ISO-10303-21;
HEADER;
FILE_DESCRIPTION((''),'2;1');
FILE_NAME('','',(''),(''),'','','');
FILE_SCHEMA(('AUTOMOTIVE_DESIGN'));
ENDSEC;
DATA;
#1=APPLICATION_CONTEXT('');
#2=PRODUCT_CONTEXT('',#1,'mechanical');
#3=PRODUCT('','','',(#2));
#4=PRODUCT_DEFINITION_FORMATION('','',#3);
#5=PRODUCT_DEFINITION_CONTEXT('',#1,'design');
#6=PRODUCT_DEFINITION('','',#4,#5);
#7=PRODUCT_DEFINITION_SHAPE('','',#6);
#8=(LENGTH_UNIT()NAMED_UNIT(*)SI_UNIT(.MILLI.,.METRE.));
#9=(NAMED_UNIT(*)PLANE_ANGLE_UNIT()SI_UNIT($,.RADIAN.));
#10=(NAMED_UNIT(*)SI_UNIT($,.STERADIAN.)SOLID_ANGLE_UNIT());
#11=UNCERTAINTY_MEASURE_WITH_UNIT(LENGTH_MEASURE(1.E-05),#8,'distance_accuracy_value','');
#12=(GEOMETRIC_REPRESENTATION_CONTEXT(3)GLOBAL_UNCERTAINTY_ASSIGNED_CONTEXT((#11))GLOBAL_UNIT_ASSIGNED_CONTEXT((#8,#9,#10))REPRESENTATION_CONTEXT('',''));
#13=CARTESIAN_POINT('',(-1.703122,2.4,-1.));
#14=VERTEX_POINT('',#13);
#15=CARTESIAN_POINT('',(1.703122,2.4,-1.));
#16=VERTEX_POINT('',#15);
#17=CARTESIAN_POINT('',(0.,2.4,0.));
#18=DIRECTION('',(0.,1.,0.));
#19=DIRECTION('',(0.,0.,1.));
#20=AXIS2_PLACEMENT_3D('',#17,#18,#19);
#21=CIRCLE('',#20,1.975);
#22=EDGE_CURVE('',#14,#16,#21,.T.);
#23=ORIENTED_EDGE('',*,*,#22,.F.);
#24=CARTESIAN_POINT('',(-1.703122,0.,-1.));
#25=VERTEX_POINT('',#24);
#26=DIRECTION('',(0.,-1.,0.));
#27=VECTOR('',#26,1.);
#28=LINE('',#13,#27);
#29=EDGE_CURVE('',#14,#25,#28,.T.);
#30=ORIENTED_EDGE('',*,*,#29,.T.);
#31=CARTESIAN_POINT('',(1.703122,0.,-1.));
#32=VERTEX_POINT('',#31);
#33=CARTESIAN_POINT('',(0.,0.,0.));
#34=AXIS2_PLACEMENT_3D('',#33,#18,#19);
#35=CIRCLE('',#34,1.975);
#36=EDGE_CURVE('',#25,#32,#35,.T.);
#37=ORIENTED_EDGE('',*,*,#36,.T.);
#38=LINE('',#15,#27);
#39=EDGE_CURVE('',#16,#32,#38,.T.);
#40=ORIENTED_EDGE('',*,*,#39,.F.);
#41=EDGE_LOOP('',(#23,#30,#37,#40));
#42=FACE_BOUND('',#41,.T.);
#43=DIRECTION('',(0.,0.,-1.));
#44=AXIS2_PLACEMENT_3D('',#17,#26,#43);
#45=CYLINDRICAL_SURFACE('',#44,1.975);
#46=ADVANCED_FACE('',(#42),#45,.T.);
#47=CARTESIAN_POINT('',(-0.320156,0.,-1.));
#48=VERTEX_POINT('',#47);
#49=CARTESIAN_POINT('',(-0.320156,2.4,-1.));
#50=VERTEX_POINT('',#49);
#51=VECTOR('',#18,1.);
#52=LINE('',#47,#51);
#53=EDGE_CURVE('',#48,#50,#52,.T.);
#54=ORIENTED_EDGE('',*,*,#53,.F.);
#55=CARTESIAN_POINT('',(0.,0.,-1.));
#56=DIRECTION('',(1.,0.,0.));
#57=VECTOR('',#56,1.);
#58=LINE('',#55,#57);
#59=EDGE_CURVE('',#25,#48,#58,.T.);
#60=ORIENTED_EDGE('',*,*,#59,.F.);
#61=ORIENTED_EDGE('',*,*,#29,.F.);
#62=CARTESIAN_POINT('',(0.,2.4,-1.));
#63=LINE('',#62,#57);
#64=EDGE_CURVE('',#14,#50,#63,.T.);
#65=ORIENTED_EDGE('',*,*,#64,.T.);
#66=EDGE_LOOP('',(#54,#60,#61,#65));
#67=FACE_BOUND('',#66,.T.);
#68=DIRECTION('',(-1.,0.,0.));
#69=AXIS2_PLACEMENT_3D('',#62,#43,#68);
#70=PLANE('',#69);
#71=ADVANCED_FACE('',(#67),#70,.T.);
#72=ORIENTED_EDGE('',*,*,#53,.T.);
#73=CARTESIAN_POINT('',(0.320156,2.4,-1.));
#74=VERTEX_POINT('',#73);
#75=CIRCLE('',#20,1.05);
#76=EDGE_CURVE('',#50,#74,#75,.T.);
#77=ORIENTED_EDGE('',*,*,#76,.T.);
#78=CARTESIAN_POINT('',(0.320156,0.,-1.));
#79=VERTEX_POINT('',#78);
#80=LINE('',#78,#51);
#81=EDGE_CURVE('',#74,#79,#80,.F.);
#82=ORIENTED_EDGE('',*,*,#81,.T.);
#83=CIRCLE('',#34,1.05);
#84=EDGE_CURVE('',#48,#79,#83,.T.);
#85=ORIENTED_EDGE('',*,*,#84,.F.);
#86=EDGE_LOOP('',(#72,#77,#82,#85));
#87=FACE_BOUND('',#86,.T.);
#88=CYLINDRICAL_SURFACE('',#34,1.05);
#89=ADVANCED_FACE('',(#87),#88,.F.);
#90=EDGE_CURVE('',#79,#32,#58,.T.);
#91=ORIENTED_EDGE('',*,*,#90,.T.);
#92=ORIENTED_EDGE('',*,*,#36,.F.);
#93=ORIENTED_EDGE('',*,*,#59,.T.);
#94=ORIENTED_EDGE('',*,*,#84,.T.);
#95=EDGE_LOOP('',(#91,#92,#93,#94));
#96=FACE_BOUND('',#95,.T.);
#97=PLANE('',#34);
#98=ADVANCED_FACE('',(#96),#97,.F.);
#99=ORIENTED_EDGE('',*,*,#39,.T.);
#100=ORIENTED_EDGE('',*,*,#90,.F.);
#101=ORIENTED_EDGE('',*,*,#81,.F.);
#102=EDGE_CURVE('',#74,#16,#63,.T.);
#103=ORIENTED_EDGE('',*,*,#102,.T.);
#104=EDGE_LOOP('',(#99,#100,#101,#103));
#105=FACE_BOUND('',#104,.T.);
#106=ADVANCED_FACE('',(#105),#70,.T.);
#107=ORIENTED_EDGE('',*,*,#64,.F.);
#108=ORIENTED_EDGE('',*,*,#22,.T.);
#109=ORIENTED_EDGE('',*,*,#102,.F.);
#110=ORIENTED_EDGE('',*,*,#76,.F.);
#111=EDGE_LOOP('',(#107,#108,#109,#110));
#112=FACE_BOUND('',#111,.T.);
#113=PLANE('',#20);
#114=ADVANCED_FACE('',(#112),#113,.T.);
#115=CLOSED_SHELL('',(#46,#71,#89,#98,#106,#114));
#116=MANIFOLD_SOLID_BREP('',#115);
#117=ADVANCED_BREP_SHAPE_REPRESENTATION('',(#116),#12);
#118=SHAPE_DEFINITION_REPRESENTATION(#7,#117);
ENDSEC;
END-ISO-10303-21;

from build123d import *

# Parameters (mm, degrees)
BOSS_EXTRUDE1_DEPTH = 2.4
SKETCH2_R           = 1.05
CUT_EXTRUDE1_DEPTH  = 4.682560251


with BuildPart() as part:
    # Sketch1 → Boss-Extrude1 (new body)
    with BuildSketch(Plane(origin=(0, 0, 0), x_dir=(1, 0, 0), z_dir=(0, 1, 0))):
        with BuildLine():
            Line((1.703122133, 1), (-1.703122133, 1))
            ThreePointArc((-1.703122133, 1), (-0.518149972, -1.905818881), (1.975, 0))
            ThreePointArc((1.975, 0), (1.905818881, 0.518149972), (1.703122133, 1))
        make_face()
    extrude(amount=BOSS_EXTRUDE1_DEPTH)

    # Sketch2 → Cut-Extrude1 (cut, through all)
    with BuildSketch(Plane(origin=(0, 2.4, 0), x_dir=(1, 0, 0), z_dir=(0, 1, 0))):
        Circle(SKETCH2_R)
    extrude(amount=-CUT_EXTRUDE1_DEPTH, mode=Mode.SUBTRACT)


solid = part.part
